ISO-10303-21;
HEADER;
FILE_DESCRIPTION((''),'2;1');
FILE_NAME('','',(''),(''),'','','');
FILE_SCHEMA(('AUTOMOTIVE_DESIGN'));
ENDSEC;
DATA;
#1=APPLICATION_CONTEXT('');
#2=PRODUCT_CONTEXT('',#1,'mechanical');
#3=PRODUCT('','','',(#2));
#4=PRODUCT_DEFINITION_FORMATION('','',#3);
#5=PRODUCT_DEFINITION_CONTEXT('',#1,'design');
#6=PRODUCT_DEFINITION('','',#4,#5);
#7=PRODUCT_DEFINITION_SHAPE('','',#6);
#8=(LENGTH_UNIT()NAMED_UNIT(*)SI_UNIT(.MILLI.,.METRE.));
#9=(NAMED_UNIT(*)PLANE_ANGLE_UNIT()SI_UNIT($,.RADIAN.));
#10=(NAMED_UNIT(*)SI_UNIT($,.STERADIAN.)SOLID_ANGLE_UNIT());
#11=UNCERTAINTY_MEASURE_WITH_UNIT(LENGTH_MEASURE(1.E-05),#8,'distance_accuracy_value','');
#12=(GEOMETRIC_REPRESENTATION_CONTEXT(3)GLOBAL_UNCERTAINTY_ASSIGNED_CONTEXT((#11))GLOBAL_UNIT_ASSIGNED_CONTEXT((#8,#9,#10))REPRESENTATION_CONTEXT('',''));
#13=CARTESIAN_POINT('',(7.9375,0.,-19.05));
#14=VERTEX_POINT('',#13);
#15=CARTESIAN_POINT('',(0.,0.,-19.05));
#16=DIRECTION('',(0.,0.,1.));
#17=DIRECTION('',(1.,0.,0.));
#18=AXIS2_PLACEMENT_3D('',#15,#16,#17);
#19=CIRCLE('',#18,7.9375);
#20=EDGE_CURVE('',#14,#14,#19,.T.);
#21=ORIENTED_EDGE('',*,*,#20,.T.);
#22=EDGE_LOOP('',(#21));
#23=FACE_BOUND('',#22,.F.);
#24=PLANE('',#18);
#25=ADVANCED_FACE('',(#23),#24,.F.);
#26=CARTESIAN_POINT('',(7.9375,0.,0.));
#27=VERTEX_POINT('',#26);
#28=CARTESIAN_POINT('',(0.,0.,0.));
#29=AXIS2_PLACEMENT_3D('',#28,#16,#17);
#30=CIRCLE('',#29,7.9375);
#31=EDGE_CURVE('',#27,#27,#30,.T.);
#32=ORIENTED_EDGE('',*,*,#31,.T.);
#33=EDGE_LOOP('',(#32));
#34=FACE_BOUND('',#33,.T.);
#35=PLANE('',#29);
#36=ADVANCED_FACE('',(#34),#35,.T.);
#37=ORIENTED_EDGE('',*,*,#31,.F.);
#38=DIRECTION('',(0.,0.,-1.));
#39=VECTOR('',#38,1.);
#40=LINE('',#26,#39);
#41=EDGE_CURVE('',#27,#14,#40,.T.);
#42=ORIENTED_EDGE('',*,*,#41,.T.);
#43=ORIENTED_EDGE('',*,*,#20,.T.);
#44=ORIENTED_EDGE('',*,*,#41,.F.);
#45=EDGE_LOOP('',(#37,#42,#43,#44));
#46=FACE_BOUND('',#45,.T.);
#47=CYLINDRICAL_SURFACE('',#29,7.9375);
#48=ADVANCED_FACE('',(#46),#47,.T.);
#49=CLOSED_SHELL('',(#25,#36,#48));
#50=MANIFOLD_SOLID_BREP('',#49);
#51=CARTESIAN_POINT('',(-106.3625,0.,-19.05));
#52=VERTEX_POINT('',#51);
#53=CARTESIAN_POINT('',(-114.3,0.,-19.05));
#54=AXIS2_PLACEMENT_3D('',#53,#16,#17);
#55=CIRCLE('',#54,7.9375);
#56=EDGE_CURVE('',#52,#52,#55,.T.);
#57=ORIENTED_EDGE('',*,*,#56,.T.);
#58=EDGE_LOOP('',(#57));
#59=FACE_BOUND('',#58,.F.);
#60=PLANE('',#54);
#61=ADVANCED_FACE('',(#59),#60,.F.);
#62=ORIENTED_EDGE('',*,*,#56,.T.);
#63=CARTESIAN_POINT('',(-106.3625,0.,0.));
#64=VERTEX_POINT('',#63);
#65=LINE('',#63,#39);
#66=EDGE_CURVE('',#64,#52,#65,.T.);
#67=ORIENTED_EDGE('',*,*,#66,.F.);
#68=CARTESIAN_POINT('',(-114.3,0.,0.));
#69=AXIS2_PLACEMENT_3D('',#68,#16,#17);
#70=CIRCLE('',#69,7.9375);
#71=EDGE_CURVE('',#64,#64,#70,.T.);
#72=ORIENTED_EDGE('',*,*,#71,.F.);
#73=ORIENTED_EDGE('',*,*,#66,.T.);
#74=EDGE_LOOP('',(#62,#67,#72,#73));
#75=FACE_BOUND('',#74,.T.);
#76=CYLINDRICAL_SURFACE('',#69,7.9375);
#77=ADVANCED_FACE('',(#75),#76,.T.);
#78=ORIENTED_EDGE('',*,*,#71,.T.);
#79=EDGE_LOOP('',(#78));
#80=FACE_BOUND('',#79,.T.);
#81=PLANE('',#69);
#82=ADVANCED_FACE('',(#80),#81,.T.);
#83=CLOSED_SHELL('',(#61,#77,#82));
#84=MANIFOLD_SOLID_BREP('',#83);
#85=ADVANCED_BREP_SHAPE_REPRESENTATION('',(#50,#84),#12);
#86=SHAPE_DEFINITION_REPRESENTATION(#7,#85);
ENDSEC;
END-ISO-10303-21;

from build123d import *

# Parameters (mm, degrees)
F0_R     = 7.9375
F1_DEPTH = 19.05


with BuildPart() as f1:
    # F0 (on Top) → F1 (new body)
    with BuildSketch(Plane.XY):
        with Locations((-114.3, 0)):
            Circle(F0_R)
        Circle(F0_R)
    extrude(amount=-F1_DEPTH)


solid = f1.part
